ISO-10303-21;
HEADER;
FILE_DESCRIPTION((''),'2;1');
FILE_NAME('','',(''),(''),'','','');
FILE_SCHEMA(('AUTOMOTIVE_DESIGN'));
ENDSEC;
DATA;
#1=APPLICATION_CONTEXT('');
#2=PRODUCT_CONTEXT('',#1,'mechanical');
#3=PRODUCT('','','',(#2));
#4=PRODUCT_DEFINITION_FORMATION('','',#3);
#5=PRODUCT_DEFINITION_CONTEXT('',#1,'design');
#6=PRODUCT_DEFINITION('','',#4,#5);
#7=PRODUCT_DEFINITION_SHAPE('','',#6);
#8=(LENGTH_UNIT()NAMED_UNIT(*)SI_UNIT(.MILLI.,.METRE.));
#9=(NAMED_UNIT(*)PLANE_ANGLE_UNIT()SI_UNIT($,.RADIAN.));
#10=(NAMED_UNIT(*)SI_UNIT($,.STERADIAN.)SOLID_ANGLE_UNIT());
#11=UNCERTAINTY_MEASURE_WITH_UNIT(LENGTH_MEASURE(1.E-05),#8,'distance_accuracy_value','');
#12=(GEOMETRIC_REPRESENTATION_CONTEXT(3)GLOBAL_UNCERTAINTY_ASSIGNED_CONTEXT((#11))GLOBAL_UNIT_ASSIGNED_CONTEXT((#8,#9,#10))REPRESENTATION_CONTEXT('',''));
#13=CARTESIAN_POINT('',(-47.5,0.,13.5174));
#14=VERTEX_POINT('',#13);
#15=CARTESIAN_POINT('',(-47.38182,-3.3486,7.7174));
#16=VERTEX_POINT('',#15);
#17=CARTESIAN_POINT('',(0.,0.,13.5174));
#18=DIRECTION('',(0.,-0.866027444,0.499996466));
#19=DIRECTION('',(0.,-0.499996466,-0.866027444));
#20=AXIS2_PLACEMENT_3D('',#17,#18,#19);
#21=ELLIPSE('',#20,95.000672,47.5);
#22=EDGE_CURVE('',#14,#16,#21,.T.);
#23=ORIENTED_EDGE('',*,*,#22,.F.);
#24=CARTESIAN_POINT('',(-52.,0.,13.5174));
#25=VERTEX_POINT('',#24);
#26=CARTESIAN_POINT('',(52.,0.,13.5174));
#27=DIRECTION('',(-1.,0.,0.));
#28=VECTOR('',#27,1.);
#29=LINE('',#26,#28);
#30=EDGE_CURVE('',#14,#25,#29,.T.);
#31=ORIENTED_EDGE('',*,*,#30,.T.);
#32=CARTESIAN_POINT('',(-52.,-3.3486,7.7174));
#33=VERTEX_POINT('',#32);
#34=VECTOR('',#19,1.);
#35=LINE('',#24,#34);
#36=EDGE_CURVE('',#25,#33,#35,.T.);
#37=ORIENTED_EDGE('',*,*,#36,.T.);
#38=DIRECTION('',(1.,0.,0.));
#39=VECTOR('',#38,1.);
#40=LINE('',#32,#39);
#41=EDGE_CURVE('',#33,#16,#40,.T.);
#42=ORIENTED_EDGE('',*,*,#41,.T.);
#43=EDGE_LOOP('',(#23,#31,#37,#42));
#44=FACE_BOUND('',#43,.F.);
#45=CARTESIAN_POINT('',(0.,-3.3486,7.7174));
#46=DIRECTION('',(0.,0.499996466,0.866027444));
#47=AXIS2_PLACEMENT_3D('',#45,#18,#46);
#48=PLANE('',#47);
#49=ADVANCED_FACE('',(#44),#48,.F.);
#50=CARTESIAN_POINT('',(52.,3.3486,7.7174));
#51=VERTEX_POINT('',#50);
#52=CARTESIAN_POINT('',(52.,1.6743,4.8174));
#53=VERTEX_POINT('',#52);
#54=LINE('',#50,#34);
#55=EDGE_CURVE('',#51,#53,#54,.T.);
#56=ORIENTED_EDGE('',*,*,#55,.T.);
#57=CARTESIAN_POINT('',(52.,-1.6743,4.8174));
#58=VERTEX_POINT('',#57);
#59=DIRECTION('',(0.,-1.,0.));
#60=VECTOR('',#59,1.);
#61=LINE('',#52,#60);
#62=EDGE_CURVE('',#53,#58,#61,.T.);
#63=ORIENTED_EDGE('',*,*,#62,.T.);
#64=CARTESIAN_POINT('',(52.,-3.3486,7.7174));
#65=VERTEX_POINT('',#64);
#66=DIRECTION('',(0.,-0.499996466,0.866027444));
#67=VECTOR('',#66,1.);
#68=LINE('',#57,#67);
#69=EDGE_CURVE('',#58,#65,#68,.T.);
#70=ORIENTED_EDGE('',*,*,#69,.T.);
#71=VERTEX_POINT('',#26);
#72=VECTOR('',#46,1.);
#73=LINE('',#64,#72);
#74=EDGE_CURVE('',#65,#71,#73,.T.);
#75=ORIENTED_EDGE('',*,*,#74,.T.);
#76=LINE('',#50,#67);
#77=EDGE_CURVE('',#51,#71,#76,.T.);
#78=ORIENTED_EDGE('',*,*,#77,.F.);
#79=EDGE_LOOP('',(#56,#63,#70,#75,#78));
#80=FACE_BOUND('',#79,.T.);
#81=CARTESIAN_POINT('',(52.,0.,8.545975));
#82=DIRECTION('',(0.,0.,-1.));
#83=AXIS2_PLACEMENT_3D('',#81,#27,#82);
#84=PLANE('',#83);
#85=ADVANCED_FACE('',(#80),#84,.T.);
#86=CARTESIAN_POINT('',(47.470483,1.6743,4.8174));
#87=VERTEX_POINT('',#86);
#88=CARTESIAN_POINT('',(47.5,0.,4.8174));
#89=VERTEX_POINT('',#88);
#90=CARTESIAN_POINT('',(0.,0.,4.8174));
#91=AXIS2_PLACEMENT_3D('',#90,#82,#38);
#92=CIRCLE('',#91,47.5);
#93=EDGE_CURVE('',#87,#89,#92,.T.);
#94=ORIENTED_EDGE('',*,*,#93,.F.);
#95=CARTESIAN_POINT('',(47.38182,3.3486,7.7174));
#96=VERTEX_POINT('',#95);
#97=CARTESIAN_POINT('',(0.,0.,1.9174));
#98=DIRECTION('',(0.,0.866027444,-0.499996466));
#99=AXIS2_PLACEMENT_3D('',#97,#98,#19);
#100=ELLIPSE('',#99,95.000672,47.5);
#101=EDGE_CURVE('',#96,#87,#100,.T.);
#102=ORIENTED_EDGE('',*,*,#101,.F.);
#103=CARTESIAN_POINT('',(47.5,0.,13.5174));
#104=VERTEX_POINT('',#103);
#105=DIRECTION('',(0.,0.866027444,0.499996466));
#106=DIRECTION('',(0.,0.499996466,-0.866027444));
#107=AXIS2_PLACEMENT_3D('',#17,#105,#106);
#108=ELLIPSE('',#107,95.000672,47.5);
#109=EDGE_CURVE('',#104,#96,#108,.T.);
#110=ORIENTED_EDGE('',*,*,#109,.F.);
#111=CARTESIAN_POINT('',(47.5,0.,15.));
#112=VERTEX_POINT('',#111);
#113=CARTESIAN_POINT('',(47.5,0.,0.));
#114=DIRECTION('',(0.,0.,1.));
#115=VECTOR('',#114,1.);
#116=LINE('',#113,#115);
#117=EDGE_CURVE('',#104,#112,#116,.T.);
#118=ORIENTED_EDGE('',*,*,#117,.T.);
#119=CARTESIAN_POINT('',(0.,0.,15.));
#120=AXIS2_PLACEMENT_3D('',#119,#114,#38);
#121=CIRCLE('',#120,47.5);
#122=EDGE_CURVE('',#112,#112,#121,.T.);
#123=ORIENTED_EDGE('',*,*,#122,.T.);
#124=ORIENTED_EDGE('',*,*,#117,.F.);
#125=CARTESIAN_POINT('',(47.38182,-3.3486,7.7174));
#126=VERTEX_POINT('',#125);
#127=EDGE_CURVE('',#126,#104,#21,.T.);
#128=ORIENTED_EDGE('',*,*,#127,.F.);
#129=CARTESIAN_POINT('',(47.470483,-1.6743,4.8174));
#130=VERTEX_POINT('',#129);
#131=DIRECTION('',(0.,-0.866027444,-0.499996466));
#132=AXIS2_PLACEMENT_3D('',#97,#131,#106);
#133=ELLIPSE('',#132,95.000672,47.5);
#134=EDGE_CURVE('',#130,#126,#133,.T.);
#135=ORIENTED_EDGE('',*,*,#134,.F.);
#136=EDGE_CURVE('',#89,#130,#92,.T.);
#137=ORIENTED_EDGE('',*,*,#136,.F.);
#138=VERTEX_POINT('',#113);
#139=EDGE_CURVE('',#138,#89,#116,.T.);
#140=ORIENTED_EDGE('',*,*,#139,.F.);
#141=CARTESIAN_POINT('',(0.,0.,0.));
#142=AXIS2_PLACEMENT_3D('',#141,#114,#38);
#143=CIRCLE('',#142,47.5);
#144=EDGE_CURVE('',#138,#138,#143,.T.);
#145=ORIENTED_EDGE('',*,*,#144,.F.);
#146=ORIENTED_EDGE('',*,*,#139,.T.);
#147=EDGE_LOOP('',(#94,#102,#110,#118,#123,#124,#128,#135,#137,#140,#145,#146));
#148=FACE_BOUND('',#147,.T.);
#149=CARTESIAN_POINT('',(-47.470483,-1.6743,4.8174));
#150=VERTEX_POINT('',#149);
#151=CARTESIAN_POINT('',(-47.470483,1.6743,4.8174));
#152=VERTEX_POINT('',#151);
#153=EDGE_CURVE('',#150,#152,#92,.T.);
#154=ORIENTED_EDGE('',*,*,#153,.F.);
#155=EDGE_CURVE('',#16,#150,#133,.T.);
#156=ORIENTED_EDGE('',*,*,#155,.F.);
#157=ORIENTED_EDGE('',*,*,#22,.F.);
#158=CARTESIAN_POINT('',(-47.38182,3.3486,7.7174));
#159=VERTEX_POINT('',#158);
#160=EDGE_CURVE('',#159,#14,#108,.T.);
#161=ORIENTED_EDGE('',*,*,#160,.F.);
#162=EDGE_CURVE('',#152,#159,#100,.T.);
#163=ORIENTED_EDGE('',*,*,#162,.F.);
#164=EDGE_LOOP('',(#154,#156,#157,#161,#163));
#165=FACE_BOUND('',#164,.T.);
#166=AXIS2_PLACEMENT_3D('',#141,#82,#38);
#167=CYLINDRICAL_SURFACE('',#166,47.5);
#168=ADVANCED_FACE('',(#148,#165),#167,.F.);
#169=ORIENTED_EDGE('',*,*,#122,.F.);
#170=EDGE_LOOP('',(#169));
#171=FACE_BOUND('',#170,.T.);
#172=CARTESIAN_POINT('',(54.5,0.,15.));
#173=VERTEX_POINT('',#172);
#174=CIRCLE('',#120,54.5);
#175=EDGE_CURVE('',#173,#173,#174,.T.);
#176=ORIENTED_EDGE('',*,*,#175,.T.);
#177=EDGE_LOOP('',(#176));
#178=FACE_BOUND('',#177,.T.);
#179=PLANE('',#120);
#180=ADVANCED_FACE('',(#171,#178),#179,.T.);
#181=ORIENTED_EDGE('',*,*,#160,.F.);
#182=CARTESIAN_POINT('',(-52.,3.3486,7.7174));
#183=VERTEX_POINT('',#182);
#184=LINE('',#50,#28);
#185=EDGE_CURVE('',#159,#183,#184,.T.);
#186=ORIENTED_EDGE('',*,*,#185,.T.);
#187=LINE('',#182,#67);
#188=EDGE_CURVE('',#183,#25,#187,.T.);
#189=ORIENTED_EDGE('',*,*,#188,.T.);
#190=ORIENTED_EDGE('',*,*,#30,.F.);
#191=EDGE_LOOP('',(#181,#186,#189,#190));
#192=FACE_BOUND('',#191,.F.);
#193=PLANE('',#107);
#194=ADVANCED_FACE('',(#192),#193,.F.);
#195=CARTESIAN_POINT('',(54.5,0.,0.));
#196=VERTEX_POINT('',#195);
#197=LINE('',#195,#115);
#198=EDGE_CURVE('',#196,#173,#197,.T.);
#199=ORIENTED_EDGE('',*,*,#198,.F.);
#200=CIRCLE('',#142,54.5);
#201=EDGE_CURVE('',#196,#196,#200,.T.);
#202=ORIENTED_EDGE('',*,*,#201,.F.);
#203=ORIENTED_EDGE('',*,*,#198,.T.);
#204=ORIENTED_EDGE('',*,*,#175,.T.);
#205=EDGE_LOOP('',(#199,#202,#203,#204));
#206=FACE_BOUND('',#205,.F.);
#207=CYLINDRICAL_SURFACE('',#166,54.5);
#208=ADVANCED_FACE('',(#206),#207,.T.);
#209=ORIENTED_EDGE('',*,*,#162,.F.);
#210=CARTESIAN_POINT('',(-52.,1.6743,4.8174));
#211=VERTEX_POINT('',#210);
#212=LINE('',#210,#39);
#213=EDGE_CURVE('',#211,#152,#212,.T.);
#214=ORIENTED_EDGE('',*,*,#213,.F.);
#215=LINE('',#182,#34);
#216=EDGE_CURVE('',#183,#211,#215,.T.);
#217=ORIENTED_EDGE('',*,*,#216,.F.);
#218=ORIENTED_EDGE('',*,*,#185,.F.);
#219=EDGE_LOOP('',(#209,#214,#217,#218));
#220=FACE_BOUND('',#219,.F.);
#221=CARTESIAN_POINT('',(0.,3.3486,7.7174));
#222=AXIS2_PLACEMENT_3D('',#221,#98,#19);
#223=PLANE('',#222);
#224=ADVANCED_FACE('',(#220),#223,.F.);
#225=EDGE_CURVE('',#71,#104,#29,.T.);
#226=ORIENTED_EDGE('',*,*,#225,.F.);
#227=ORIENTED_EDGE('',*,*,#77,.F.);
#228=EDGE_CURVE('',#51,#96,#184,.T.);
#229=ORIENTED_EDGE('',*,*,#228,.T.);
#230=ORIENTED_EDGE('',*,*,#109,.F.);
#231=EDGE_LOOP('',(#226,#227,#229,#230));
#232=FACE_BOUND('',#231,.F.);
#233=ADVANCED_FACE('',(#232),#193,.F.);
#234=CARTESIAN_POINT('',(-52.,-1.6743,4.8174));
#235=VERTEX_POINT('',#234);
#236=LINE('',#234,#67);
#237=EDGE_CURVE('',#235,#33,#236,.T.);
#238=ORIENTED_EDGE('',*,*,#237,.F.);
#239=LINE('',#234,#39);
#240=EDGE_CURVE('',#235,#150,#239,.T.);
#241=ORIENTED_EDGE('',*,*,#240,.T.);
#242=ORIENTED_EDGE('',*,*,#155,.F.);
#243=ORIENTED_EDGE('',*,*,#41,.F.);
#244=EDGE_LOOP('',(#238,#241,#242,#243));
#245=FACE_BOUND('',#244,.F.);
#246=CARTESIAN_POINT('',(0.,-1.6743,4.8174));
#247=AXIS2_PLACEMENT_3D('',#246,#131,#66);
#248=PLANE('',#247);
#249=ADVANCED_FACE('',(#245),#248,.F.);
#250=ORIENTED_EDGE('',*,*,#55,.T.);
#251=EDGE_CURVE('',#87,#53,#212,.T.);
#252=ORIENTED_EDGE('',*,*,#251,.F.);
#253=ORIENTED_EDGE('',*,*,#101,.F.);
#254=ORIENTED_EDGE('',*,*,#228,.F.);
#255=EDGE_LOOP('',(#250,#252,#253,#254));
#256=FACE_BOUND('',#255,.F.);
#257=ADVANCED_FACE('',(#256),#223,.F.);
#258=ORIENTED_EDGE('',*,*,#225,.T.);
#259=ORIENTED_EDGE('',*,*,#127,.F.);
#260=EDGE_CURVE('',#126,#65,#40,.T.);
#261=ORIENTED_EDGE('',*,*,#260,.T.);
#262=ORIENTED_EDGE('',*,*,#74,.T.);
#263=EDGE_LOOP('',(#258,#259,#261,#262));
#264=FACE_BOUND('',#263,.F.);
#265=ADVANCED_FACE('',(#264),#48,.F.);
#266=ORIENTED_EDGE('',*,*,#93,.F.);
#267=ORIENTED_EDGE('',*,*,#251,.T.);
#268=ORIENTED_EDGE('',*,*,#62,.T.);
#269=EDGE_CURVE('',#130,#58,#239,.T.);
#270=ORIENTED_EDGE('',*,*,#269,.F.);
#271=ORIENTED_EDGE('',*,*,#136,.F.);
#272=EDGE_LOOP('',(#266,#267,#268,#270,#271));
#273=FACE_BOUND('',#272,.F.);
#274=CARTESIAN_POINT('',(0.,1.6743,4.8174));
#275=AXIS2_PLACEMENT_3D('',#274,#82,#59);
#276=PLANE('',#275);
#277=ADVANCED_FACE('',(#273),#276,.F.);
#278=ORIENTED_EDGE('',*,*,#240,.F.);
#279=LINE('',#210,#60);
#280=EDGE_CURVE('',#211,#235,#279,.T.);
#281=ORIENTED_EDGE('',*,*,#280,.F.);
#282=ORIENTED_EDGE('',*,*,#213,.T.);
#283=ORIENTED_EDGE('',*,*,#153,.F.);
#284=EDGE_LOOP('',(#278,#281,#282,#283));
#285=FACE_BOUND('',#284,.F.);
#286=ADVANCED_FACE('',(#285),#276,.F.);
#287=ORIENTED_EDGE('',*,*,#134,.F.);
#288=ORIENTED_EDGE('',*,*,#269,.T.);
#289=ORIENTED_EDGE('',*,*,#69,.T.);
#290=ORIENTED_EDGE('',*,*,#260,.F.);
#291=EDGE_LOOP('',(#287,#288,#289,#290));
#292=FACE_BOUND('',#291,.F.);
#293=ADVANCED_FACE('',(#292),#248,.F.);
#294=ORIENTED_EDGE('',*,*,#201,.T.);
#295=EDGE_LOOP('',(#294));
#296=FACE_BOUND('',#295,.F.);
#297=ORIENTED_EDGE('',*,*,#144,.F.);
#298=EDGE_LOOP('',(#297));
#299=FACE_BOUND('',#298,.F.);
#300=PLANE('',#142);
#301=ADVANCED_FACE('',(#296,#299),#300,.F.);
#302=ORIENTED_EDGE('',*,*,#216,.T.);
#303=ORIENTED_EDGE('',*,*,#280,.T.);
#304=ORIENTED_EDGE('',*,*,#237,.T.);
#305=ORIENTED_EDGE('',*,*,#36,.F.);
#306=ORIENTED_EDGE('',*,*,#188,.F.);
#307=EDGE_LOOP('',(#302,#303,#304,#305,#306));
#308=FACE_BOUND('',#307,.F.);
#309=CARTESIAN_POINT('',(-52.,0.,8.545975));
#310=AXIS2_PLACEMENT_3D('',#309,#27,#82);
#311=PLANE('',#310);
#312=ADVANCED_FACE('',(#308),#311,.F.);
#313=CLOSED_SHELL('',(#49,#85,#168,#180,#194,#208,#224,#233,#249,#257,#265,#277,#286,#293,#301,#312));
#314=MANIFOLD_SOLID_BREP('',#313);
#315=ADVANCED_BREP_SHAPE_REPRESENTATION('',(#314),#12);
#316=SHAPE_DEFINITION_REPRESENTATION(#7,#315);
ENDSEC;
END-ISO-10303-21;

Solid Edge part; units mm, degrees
sketch "Sketch1" plane through (0, 0, 0) normal (0, 0, 1) x (1, 0, 0)
  circle A0 centre (0, 0) radius 47.5
  circle A1 centre (0, 0) radius 54.5
extrude "Protrusion1" add sketch "Sketch1" along normal blind 15
sketch "Sketch2" plane through (0, 0, 0) normal (1, 0, 0) x (0, 1, 0)
  line L0 (-3.3486, 7.7174) -> (-1.6743, 10.6174)
  line L1 (-1.6743, 4.8174) -> (-3.3486, 7.7174)
  line L2 (1.6743, 4.8174) -> (-1.6743, 4.8174)
  line L3 (3.3486, 7.7174) -> (1.6743, 4.8174)
  line L4 (1.6743, 10.6174) -> (3.3486, 7.7174)
  line L5 (0, 13.5174) -> (1.6743, 10.6174)
  line L6 (-1.6743, 10.6174) -> (0, 13.5174)
  dimension "D1" = 5.8
extrude "ExtrudedCutout_1" cut sketch "Sketch2" along normal mid plane 104
